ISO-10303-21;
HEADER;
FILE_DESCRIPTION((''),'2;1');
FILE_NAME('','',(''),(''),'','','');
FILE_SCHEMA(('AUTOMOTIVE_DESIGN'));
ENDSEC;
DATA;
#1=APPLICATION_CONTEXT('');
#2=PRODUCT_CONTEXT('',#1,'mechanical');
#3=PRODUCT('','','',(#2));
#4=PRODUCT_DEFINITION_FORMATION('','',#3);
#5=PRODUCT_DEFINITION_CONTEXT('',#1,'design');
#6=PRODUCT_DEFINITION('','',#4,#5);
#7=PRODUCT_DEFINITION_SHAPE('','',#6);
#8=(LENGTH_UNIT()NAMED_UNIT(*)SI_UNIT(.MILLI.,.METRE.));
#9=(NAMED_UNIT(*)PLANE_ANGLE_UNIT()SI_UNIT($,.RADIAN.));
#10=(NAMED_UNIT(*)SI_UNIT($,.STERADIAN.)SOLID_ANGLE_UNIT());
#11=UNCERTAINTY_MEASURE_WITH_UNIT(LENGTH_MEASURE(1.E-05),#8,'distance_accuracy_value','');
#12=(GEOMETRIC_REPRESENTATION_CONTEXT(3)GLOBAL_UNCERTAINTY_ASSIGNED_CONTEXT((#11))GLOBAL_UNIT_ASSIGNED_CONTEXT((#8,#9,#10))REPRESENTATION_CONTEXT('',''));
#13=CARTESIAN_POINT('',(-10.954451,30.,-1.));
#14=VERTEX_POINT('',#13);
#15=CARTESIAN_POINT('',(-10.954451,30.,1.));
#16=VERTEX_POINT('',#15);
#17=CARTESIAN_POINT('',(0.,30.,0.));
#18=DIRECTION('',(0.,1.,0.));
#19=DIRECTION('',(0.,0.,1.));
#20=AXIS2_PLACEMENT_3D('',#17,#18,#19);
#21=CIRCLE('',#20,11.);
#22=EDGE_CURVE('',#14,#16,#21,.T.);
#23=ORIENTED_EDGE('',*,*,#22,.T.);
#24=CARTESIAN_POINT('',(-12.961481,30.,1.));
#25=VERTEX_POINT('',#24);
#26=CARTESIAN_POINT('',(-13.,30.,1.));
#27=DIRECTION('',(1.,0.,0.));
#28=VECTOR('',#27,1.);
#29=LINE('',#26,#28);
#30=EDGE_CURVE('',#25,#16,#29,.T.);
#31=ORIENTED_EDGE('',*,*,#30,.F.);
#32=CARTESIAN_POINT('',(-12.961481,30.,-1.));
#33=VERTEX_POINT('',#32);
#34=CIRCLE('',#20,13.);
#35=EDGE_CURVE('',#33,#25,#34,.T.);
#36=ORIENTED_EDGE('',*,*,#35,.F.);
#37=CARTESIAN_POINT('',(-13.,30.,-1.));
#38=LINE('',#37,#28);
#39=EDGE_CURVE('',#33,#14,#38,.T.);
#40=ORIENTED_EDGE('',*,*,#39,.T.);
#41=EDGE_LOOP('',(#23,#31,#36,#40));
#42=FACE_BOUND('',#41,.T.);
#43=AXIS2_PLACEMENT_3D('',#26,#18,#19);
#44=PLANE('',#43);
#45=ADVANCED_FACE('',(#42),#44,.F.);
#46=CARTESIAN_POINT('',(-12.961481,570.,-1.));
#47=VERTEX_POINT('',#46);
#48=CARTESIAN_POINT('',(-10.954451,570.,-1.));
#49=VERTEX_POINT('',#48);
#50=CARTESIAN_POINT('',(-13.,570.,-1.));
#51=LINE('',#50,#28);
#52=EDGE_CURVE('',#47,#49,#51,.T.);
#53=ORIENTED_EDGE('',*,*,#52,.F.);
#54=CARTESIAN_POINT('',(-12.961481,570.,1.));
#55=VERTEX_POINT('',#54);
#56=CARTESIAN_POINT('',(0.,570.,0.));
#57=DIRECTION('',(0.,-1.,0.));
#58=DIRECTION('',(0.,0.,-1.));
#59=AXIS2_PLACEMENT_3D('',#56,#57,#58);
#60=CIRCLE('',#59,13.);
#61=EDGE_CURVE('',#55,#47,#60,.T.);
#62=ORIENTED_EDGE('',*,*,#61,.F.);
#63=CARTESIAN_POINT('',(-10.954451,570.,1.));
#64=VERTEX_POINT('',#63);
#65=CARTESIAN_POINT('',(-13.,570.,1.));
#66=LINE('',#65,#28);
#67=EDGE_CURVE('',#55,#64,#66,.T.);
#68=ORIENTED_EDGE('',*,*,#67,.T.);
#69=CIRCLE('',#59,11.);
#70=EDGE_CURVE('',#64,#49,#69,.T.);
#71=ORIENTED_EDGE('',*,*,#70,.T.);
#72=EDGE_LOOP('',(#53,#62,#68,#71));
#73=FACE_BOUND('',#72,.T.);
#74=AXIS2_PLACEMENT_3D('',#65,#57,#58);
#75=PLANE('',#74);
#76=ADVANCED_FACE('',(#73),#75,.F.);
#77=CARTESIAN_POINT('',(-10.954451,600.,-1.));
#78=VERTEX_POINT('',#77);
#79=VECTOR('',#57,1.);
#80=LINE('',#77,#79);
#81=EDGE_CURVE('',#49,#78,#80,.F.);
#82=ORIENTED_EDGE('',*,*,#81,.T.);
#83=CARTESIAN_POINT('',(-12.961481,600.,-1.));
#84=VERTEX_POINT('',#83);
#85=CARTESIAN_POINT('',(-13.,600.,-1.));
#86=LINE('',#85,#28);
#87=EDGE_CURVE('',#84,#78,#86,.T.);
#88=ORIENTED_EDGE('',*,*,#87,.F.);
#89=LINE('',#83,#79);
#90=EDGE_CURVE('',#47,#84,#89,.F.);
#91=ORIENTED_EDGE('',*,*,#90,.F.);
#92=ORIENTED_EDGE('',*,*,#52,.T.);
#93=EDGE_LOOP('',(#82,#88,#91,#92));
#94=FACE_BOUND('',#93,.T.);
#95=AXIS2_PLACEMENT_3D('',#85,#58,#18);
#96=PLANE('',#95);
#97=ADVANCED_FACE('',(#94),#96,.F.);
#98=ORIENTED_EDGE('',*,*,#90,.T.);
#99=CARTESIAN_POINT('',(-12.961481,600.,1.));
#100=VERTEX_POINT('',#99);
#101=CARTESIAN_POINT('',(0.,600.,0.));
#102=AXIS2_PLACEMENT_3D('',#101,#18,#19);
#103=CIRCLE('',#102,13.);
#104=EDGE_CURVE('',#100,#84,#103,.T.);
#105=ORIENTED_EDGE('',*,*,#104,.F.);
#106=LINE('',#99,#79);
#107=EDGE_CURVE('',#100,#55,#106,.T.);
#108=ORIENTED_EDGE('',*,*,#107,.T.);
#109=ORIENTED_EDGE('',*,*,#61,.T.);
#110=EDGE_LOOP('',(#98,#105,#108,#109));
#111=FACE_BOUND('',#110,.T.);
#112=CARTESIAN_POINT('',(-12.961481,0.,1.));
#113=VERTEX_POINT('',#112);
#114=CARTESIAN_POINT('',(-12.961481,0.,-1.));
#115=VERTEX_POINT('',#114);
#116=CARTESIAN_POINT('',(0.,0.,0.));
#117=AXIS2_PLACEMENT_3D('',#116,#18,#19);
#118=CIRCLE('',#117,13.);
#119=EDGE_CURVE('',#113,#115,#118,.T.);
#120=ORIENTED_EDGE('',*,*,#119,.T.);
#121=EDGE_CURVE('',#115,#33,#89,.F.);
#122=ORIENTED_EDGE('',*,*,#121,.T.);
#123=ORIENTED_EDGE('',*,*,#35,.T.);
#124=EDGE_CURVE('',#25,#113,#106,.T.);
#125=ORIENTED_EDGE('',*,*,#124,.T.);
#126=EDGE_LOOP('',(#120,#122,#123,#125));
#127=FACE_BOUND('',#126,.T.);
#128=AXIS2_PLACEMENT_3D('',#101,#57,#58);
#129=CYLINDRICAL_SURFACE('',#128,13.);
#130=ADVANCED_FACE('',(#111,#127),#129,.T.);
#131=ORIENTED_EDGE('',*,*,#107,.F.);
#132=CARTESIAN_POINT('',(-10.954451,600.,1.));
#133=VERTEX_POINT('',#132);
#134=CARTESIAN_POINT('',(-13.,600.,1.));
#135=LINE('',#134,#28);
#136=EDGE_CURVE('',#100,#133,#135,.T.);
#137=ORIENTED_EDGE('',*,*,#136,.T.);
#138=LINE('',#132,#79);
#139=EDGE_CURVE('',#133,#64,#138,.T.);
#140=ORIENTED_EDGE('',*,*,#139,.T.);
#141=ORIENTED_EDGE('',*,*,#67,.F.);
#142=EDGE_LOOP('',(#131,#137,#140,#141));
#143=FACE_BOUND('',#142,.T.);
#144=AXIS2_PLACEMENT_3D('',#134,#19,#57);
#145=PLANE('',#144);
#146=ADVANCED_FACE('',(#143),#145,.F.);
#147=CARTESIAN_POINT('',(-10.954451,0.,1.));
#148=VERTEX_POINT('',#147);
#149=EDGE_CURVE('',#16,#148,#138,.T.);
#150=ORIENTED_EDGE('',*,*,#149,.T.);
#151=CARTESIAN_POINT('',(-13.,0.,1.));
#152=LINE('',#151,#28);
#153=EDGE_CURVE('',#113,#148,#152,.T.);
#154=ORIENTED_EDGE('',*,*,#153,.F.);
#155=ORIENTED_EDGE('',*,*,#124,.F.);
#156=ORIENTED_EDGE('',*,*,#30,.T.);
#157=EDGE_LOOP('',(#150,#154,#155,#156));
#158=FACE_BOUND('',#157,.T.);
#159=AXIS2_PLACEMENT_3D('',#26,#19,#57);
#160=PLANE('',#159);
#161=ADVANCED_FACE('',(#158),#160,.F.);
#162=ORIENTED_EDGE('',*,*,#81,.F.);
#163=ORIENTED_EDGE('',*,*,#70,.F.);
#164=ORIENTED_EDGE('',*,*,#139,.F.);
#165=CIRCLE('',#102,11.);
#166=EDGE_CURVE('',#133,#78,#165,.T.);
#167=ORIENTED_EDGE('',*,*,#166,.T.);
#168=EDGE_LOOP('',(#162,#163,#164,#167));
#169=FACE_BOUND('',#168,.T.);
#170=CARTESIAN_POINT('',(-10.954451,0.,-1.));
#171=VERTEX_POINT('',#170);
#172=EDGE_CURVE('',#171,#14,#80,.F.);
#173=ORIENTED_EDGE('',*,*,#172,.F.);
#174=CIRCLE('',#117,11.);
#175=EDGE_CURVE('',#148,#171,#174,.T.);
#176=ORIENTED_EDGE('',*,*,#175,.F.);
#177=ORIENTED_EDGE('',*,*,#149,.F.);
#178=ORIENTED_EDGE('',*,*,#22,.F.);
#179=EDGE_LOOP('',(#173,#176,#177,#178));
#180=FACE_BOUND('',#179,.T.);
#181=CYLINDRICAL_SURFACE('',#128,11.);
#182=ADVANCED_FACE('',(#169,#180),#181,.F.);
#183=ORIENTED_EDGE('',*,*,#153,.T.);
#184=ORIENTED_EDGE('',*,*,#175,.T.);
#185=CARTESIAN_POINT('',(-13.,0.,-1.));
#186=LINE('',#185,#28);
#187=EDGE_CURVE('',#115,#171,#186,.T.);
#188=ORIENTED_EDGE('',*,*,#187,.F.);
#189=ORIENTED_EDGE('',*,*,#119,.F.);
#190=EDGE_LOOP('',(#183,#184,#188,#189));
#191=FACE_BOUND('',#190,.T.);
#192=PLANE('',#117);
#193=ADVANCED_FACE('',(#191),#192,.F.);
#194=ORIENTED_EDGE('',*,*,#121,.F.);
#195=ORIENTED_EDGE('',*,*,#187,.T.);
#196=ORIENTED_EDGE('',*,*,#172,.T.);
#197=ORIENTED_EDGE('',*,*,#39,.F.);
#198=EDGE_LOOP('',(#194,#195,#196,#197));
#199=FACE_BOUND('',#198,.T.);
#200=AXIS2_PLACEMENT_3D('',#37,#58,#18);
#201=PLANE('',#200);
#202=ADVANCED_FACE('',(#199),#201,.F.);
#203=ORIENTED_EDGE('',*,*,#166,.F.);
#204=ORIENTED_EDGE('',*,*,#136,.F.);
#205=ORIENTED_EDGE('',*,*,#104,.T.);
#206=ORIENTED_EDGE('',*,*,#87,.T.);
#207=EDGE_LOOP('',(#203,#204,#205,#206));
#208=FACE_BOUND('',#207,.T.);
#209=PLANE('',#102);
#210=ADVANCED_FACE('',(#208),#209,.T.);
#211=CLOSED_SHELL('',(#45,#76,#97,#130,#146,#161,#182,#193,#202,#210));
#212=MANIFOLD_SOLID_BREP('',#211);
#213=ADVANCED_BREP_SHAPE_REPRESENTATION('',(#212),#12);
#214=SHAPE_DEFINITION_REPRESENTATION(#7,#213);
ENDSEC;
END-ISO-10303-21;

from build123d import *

# Parameters (mm, degrees)
SKETCH_1_R          = 13
SKETCH_1_R_2        = 11
EXTRUDE_1_DEPTH     = 600
SKETCH_2_W          = 2
SKETCH_2_H          = 30
CUT_EXTRUDE_1_DEPTH = 14


with BuildPart() as part:
    # 草图1 → 凸台-拉伸1 (new body)
    with BuildSketch(Plane(origin=(0, 0, 0), x_dir=(1, 0, 0), z_dir=(0, 1, 0))):
        Circle(SKETCH_1_R)
        Circle(SKETCH_1_R_2, mode=Mode.SUBTRACT)
    extrude(amount=EXTRUDE_1_DEPTH)

    # 草图2 → 切除-拉伸1 (cut, through all)
    with BuildSketch(Plane(origin=(0, 0, 0), x_dir=(0, 0, -1), z_dir=(1, 0, 0))):
        with Locations((0, 585)):
            Rectangle(SKETCH_2_W, SKETCH_2_H)
        with Locations((0, 15)):
            Rectangle(SKETCH_2_W, SKETCH_2_H)
    extrude(amount=-CUT_EXTRUDE_1_DEPTH, mode=Mode.SUBTRACT)


solid = part.part
